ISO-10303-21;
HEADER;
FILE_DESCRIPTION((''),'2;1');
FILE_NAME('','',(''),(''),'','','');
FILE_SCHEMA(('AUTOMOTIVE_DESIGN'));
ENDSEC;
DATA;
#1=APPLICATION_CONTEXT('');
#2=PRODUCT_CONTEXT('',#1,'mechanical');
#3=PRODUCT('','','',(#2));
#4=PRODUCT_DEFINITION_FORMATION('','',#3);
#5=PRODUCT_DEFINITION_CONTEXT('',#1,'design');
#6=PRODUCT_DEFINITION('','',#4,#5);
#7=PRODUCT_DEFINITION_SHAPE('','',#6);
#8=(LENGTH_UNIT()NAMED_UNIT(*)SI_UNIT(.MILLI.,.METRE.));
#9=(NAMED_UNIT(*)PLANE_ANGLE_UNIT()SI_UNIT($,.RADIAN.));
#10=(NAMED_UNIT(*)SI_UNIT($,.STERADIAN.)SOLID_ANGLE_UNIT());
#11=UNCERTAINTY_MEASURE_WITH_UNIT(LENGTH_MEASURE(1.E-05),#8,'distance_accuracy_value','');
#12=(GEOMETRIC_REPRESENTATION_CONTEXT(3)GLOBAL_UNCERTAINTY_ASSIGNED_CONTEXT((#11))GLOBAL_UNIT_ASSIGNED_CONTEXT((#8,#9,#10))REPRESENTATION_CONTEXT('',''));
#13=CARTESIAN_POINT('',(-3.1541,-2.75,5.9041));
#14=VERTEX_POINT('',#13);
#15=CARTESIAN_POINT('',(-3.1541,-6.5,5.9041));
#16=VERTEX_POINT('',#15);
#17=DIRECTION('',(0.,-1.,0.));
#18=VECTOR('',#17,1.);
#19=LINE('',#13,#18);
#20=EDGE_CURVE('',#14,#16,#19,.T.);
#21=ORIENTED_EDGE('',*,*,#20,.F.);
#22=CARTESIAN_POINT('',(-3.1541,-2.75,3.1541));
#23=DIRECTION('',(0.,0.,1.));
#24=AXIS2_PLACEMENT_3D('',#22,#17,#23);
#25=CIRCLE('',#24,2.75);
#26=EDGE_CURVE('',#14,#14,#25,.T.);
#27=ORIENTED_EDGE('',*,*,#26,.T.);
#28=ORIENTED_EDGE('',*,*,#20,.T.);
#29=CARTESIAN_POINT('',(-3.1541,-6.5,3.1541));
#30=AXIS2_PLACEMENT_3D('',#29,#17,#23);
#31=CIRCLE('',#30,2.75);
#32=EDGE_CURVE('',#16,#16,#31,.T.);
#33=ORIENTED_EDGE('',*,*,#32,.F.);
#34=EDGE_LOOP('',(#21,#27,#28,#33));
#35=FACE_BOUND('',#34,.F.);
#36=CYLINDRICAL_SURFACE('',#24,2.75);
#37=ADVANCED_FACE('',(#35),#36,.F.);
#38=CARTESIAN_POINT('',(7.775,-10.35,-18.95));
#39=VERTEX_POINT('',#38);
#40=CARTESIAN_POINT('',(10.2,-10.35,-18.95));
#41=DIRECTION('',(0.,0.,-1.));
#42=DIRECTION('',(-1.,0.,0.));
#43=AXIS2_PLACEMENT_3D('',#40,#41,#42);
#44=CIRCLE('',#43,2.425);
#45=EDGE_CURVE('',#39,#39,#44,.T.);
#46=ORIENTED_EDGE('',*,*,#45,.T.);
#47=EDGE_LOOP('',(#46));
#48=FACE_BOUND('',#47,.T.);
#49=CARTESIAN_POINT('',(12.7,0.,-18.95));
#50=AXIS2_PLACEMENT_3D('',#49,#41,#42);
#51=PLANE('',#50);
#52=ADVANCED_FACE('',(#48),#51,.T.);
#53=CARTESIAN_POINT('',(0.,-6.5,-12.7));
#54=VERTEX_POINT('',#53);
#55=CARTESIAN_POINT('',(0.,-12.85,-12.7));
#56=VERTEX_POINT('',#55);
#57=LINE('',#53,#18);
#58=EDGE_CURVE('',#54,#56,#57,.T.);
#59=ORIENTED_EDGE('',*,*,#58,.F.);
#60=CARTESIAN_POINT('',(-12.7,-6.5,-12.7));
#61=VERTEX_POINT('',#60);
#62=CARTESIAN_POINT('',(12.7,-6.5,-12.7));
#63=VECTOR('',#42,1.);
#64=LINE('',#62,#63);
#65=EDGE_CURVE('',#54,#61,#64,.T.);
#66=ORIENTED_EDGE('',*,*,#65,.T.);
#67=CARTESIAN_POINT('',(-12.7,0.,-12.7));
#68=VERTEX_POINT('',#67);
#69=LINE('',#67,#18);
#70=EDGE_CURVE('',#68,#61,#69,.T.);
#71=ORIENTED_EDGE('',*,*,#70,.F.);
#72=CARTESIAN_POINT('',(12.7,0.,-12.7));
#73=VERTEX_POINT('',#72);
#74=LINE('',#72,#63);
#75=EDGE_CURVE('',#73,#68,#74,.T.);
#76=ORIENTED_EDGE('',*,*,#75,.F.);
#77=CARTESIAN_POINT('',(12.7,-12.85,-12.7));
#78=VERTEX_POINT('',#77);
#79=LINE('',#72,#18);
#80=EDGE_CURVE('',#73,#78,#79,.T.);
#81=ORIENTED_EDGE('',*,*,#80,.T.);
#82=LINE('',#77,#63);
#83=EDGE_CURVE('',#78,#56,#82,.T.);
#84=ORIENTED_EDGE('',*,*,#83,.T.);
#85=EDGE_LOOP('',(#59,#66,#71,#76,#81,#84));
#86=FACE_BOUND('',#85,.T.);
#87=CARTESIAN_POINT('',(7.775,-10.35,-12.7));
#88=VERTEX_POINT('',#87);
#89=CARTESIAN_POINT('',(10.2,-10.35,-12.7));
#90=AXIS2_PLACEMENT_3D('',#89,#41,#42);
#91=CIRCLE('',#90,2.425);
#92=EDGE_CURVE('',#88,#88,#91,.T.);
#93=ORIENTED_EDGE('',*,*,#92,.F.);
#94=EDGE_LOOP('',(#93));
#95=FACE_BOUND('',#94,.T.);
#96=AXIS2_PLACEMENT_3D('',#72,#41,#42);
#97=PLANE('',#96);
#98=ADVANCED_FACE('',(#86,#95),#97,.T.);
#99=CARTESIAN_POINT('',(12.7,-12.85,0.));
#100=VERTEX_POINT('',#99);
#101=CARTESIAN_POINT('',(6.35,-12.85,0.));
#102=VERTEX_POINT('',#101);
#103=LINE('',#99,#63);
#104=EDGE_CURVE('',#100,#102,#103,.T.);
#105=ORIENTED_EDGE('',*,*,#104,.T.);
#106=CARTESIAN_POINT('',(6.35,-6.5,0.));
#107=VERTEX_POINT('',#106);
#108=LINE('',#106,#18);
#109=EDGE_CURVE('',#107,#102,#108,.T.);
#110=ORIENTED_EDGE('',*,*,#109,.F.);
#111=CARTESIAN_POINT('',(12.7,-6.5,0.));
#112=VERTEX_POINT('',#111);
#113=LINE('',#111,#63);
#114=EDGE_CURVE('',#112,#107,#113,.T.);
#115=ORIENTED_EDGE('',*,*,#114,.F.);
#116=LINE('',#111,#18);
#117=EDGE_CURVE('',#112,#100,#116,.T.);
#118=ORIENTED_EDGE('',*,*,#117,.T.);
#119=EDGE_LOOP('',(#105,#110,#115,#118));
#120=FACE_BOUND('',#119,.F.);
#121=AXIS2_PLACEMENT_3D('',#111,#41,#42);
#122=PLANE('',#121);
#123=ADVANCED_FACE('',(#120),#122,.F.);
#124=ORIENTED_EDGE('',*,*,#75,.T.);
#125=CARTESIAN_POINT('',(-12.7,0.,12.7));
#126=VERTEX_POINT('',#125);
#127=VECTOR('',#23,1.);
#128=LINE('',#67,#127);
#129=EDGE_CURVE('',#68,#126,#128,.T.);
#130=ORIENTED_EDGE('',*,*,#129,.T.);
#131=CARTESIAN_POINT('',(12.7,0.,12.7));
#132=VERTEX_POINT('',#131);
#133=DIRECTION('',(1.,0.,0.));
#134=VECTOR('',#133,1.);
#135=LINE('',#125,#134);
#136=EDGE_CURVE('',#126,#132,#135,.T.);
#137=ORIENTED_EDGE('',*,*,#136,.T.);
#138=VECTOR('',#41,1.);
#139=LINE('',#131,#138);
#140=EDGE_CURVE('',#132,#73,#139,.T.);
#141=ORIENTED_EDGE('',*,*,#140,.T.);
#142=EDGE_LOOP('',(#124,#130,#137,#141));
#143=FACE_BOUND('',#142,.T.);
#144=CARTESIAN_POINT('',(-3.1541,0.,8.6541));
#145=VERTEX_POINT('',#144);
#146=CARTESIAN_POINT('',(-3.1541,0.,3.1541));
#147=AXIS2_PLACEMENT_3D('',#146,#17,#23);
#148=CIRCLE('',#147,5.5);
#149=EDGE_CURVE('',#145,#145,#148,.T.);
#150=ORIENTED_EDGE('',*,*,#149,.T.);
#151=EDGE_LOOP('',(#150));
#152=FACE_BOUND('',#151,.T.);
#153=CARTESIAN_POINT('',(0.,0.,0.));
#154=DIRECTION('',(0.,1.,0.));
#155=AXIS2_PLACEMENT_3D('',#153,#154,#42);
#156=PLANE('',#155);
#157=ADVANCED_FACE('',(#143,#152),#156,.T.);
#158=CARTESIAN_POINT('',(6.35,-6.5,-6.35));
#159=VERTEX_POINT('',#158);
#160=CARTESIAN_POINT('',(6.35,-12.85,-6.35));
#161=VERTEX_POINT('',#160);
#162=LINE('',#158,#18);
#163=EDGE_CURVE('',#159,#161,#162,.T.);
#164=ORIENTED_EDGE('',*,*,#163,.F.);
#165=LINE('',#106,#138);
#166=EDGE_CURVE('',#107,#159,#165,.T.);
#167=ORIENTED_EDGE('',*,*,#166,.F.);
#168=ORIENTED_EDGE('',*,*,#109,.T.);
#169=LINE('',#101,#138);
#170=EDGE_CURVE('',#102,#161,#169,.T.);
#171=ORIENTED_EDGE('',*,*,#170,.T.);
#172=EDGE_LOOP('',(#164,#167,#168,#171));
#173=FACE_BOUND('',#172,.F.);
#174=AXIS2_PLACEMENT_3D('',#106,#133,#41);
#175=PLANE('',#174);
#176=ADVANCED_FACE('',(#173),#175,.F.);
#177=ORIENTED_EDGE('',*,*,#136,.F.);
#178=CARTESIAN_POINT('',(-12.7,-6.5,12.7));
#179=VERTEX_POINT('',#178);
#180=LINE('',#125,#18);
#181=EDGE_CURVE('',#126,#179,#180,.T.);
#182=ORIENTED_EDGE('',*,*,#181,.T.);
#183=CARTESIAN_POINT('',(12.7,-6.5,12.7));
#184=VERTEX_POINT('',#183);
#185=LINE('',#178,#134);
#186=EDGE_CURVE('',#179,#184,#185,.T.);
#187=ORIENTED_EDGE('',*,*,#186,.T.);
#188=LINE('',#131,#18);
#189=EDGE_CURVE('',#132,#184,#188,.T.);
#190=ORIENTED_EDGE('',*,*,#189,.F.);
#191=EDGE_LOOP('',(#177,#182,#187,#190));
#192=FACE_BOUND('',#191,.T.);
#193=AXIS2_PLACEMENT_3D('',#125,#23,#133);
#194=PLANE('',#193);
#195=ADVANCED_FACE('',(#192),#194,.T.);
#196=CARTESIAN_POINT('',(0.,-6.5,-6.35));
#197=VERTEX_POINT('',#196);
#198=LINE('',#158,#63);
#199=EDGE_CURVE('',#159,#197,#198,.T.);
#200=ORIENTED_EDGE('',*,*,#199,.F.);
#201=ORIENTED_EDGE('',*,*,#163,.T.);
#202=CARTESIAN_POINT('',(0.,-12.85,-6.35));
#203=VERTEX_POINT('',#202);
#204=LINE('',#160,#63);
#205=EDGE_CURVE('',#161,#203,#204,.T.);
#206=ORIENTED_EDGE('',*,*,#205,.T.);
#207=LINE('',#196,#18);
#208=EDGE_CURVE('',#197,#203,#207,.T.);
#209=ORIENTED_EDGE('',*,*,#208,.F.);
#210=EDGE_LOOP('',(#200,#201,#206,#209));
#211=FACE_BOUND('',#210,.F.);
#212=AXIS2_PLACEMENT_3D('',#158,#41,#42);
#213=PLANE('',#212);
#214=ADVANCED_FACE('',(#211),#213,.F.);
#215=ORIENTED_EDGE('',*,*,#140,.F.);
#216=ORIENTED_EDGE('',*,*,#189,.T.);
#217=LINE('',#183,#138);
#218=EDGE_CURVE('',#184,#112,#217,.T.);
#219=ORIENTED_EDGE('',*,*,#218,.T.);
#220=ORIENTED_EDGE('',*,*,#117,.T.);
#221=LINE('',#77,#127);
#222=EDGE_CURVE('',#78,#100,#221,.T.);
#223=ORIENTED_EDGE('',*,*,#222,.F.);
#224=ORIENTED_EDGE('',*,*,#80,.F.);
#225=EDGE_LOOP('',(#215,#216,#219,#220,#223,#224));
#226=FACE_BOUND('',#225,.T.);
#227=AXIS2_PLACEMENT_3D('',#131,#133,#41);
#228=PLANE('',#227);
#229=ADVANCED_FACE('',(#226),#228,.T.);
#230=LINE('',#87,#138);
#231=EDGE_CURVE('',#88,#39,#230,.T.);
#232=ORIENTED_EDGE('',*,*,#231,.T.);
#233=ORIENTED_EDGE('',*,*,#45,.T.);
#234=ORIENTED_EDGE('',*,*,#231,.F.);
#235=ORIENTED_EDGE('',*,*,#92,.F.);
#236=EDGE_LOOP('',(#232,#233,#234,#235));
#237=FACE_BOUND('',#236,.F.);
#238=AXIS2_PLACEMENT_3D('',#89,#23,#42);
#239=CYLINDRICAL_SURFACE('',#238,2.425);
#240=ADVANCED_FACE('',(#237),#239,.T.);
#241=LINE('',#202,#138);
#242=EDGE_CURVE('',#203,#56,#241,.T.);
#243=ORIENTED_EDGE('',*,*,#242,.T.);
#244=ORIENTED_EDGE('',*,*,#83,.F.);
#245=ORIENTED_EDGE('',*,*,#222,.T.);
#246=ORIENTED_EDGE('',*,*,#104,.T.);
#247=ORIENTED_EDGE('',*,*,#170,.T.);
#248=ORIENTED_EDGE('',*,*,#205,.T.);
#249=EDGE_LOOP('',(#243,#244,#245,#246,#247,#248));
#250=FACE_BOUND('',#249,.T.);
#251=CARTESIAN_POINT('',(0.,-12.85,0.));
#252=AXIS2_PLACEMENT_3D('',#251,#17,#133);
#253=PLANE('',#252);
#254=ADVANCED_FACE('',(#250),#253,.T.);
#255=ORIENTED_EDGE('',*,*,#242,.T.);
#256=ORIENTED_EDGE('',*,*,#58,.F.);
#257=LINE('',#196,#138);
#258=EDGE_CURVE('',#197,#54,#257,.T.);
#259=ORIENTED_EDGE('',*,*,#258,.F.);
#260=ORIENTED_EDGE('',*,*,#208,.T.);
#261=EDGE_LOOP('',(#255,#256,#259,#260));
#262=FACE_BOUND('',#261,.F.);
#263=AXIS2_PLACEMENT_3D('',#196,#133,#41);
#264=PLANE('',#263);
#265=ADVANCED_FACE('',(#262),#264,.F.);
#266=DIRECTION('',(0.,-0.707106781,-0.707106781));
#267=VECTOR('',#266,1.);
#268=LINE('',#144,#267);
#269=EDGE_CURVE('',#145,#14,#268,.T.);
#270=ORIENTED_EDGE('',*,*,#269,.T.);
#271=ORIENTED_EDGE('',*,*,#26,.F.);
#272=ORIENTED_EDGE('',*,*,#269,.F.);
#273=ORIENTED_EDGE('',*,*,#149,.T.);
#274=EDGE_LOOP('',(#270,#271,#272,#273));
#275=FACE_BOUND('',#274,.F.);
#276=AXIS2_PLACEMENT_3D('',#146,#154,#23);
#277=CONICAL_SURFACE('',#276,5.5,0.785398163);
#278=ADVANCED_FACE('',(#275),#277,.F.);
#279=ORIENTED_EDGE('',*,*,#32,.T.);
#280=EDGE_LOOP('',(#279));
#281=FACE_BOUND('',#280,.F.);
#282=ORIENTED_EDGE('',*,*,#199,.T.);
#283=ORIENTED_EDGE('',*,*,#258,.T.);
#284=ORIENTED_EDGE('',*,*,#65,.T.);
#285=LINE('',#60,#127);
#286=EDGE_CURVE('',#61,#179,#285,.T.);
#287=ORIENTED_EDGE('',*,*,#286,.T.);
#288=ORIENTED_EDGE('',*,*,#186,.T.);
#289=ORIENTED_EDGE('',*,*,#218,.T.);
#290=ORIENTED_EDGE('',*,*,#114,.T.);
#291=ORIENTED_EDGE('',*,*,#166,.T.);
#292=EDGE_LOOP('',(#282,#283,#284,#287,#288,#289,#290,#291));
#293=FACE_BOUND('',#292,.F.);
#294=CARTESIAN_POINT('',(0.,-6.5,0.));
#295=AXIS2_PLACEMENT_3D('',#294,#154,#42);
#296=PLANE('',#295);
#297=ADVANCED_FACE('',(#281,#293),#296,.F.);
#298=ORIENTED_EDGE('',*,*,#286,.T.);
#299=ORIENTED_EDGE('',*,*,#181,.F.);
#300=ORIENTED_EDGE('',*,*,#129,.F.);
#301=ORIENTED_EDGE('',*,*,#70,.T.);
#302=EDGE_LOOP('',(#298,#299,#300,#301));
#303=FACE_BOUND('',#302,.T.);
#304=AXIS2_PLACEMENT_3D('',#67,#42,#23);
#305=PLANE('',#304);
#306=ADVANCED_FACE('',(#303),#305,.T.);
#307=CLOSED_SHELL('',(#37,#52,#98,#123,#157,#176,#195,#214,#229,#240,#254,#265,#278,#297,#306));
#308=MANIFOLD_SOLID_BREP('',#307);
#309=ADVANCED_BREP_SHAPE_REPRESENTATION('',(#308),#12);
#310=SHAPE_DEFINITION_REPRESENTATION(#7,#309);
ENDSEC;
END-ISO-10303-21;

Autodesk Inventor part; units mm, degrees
ref_plane "YZ Plane" through (0, 0, 0) normal (1, 0, 0) x (0, 1, 0)
ref_plane "XZ Plane" through (0, 0, 0) normal (0, 1, 0) x (-1, 0, 0)
ref_plane "XY Plane" through (0, 0, 0) normal (0, 0, 1) x (1, 0, 0)
sketch "Sketch2" plane through (0, 0, 0) normal (0, 1, 0) x (-1, 0, 0)
  line L0 (12.7, 12.7) -> (-12.7, 12.7)
  line L1 (-12.7, 12.7) -> (-12.7, -12.7)
  line L2 (-12.7, -12.7) -> (12.7, -12.7)
  line L3 (12.7, -12.7) -> (12.7, 12.7)
  line L4 (12.7, 0) -> (-12.7, 0) construction
  line L5 (0, -12.7) -> (0, 12.7) construction
  point P0 (0, 0)
  point P1 (0, 0)
  dimension "d2" = 25.4
  dimension "d3" = 25.4
extrude "Base" add sketch "Sketch2" against normal blind 6.5
sketch "Sketch10" plane through (0, -6.5, 0) normal (0, -1, 0) x (1, 0, 0)
  line L0 (-12.7, -12.7) -> (12.7, -12.7) projected
  line L1 (12.7, -12.7) -> (12.7, 0)
  line L2 (12.7, 0) -> (6.35, 0)
  line L3 (6.35, 0) -> (6.35, -12.7)
  line L4 (6.35, -12.7) -> (12.7, -12.7)
  line L5 (0, -12.7) -> (6.35, -12.7)
  line L6 (6.35, -12.7) -> (6.35, -6.35)
  line L7 (6.35, -6.35) -> (0, -6.35)
  line L8 (0, -6.35) -> (0, -12.7)
  point P0 (0, 0)
  dimension "d44" = 6.35
  dimension "d45" = 12.7
  dimension "d46" = 6.35
  dimension "d47" = 6.35
extrude "Extrusion5" add sketch "Sketch10" along normal blind 6.35
sketch "Sketch11" plane through (0, 0, 0) normal (0, 1, 0) x (1, 0, 0)
  line L0 (12.7, -12.7) -> (-12.7, -12.7) projected
  line L1 (-12.7, -12.7) -> (-3.1541, -3.1541) construction
  line L2 (-12.7, -12.7) -> (0.8, -12.7) construction
  circle A0 centre (-3.1541, -3.1541) radius 5.5 construction
  point P0 (0, 0)
  dimension "d50" = 13.5
  dimension "d51" = 45
  dimension "d52" = 11
hole "Hole3" at (-3.1541, 0, 3.1541) direction (0, -1, 0) diameter 5.5 end through all countersink diameter 11 countersink angle 90
sketch "Sketch12" plane through (12.7, 0, -12.7) normal (0, 0, -1) x (-1, 0, 0)
  line L0 (12.7, -6.5) -> (12.7, -12.85) projected
  line L1 (0, -6.5) -> (25.4, -6.5) construction
  line L2 (12.7, -6.5) -> (0, -6.5)
  line L3 (0, -6.5) -> (0, -12.85) construction
  line L4 (0, -12.85) -> (5, -12.85) construction
  line L5 (5, -12.85) -> (5, -7.85) construction
  line L6 (5, -7.85) -> (0, -7.85) construction
  line L7 (0, -7.85) -> (0, -12.85) construction
  line L8 (5, -7.85) -> (0, -12.85) construction
  line L9 (5, -12.85) -> (0, -7.85) construction
  circle A0 centre (2.5, -10.35) radius 2.425
  point P0 (12.7, 0)
  dimension "d60" = 5
  dimension "d61" = 5
  dimension "d62" = 4.85
extrude "Extrusion6" add sketch "Sketch12" along normal blind 6.25
equation "\"d3\" = d2"
properties part number "Door pin right"
